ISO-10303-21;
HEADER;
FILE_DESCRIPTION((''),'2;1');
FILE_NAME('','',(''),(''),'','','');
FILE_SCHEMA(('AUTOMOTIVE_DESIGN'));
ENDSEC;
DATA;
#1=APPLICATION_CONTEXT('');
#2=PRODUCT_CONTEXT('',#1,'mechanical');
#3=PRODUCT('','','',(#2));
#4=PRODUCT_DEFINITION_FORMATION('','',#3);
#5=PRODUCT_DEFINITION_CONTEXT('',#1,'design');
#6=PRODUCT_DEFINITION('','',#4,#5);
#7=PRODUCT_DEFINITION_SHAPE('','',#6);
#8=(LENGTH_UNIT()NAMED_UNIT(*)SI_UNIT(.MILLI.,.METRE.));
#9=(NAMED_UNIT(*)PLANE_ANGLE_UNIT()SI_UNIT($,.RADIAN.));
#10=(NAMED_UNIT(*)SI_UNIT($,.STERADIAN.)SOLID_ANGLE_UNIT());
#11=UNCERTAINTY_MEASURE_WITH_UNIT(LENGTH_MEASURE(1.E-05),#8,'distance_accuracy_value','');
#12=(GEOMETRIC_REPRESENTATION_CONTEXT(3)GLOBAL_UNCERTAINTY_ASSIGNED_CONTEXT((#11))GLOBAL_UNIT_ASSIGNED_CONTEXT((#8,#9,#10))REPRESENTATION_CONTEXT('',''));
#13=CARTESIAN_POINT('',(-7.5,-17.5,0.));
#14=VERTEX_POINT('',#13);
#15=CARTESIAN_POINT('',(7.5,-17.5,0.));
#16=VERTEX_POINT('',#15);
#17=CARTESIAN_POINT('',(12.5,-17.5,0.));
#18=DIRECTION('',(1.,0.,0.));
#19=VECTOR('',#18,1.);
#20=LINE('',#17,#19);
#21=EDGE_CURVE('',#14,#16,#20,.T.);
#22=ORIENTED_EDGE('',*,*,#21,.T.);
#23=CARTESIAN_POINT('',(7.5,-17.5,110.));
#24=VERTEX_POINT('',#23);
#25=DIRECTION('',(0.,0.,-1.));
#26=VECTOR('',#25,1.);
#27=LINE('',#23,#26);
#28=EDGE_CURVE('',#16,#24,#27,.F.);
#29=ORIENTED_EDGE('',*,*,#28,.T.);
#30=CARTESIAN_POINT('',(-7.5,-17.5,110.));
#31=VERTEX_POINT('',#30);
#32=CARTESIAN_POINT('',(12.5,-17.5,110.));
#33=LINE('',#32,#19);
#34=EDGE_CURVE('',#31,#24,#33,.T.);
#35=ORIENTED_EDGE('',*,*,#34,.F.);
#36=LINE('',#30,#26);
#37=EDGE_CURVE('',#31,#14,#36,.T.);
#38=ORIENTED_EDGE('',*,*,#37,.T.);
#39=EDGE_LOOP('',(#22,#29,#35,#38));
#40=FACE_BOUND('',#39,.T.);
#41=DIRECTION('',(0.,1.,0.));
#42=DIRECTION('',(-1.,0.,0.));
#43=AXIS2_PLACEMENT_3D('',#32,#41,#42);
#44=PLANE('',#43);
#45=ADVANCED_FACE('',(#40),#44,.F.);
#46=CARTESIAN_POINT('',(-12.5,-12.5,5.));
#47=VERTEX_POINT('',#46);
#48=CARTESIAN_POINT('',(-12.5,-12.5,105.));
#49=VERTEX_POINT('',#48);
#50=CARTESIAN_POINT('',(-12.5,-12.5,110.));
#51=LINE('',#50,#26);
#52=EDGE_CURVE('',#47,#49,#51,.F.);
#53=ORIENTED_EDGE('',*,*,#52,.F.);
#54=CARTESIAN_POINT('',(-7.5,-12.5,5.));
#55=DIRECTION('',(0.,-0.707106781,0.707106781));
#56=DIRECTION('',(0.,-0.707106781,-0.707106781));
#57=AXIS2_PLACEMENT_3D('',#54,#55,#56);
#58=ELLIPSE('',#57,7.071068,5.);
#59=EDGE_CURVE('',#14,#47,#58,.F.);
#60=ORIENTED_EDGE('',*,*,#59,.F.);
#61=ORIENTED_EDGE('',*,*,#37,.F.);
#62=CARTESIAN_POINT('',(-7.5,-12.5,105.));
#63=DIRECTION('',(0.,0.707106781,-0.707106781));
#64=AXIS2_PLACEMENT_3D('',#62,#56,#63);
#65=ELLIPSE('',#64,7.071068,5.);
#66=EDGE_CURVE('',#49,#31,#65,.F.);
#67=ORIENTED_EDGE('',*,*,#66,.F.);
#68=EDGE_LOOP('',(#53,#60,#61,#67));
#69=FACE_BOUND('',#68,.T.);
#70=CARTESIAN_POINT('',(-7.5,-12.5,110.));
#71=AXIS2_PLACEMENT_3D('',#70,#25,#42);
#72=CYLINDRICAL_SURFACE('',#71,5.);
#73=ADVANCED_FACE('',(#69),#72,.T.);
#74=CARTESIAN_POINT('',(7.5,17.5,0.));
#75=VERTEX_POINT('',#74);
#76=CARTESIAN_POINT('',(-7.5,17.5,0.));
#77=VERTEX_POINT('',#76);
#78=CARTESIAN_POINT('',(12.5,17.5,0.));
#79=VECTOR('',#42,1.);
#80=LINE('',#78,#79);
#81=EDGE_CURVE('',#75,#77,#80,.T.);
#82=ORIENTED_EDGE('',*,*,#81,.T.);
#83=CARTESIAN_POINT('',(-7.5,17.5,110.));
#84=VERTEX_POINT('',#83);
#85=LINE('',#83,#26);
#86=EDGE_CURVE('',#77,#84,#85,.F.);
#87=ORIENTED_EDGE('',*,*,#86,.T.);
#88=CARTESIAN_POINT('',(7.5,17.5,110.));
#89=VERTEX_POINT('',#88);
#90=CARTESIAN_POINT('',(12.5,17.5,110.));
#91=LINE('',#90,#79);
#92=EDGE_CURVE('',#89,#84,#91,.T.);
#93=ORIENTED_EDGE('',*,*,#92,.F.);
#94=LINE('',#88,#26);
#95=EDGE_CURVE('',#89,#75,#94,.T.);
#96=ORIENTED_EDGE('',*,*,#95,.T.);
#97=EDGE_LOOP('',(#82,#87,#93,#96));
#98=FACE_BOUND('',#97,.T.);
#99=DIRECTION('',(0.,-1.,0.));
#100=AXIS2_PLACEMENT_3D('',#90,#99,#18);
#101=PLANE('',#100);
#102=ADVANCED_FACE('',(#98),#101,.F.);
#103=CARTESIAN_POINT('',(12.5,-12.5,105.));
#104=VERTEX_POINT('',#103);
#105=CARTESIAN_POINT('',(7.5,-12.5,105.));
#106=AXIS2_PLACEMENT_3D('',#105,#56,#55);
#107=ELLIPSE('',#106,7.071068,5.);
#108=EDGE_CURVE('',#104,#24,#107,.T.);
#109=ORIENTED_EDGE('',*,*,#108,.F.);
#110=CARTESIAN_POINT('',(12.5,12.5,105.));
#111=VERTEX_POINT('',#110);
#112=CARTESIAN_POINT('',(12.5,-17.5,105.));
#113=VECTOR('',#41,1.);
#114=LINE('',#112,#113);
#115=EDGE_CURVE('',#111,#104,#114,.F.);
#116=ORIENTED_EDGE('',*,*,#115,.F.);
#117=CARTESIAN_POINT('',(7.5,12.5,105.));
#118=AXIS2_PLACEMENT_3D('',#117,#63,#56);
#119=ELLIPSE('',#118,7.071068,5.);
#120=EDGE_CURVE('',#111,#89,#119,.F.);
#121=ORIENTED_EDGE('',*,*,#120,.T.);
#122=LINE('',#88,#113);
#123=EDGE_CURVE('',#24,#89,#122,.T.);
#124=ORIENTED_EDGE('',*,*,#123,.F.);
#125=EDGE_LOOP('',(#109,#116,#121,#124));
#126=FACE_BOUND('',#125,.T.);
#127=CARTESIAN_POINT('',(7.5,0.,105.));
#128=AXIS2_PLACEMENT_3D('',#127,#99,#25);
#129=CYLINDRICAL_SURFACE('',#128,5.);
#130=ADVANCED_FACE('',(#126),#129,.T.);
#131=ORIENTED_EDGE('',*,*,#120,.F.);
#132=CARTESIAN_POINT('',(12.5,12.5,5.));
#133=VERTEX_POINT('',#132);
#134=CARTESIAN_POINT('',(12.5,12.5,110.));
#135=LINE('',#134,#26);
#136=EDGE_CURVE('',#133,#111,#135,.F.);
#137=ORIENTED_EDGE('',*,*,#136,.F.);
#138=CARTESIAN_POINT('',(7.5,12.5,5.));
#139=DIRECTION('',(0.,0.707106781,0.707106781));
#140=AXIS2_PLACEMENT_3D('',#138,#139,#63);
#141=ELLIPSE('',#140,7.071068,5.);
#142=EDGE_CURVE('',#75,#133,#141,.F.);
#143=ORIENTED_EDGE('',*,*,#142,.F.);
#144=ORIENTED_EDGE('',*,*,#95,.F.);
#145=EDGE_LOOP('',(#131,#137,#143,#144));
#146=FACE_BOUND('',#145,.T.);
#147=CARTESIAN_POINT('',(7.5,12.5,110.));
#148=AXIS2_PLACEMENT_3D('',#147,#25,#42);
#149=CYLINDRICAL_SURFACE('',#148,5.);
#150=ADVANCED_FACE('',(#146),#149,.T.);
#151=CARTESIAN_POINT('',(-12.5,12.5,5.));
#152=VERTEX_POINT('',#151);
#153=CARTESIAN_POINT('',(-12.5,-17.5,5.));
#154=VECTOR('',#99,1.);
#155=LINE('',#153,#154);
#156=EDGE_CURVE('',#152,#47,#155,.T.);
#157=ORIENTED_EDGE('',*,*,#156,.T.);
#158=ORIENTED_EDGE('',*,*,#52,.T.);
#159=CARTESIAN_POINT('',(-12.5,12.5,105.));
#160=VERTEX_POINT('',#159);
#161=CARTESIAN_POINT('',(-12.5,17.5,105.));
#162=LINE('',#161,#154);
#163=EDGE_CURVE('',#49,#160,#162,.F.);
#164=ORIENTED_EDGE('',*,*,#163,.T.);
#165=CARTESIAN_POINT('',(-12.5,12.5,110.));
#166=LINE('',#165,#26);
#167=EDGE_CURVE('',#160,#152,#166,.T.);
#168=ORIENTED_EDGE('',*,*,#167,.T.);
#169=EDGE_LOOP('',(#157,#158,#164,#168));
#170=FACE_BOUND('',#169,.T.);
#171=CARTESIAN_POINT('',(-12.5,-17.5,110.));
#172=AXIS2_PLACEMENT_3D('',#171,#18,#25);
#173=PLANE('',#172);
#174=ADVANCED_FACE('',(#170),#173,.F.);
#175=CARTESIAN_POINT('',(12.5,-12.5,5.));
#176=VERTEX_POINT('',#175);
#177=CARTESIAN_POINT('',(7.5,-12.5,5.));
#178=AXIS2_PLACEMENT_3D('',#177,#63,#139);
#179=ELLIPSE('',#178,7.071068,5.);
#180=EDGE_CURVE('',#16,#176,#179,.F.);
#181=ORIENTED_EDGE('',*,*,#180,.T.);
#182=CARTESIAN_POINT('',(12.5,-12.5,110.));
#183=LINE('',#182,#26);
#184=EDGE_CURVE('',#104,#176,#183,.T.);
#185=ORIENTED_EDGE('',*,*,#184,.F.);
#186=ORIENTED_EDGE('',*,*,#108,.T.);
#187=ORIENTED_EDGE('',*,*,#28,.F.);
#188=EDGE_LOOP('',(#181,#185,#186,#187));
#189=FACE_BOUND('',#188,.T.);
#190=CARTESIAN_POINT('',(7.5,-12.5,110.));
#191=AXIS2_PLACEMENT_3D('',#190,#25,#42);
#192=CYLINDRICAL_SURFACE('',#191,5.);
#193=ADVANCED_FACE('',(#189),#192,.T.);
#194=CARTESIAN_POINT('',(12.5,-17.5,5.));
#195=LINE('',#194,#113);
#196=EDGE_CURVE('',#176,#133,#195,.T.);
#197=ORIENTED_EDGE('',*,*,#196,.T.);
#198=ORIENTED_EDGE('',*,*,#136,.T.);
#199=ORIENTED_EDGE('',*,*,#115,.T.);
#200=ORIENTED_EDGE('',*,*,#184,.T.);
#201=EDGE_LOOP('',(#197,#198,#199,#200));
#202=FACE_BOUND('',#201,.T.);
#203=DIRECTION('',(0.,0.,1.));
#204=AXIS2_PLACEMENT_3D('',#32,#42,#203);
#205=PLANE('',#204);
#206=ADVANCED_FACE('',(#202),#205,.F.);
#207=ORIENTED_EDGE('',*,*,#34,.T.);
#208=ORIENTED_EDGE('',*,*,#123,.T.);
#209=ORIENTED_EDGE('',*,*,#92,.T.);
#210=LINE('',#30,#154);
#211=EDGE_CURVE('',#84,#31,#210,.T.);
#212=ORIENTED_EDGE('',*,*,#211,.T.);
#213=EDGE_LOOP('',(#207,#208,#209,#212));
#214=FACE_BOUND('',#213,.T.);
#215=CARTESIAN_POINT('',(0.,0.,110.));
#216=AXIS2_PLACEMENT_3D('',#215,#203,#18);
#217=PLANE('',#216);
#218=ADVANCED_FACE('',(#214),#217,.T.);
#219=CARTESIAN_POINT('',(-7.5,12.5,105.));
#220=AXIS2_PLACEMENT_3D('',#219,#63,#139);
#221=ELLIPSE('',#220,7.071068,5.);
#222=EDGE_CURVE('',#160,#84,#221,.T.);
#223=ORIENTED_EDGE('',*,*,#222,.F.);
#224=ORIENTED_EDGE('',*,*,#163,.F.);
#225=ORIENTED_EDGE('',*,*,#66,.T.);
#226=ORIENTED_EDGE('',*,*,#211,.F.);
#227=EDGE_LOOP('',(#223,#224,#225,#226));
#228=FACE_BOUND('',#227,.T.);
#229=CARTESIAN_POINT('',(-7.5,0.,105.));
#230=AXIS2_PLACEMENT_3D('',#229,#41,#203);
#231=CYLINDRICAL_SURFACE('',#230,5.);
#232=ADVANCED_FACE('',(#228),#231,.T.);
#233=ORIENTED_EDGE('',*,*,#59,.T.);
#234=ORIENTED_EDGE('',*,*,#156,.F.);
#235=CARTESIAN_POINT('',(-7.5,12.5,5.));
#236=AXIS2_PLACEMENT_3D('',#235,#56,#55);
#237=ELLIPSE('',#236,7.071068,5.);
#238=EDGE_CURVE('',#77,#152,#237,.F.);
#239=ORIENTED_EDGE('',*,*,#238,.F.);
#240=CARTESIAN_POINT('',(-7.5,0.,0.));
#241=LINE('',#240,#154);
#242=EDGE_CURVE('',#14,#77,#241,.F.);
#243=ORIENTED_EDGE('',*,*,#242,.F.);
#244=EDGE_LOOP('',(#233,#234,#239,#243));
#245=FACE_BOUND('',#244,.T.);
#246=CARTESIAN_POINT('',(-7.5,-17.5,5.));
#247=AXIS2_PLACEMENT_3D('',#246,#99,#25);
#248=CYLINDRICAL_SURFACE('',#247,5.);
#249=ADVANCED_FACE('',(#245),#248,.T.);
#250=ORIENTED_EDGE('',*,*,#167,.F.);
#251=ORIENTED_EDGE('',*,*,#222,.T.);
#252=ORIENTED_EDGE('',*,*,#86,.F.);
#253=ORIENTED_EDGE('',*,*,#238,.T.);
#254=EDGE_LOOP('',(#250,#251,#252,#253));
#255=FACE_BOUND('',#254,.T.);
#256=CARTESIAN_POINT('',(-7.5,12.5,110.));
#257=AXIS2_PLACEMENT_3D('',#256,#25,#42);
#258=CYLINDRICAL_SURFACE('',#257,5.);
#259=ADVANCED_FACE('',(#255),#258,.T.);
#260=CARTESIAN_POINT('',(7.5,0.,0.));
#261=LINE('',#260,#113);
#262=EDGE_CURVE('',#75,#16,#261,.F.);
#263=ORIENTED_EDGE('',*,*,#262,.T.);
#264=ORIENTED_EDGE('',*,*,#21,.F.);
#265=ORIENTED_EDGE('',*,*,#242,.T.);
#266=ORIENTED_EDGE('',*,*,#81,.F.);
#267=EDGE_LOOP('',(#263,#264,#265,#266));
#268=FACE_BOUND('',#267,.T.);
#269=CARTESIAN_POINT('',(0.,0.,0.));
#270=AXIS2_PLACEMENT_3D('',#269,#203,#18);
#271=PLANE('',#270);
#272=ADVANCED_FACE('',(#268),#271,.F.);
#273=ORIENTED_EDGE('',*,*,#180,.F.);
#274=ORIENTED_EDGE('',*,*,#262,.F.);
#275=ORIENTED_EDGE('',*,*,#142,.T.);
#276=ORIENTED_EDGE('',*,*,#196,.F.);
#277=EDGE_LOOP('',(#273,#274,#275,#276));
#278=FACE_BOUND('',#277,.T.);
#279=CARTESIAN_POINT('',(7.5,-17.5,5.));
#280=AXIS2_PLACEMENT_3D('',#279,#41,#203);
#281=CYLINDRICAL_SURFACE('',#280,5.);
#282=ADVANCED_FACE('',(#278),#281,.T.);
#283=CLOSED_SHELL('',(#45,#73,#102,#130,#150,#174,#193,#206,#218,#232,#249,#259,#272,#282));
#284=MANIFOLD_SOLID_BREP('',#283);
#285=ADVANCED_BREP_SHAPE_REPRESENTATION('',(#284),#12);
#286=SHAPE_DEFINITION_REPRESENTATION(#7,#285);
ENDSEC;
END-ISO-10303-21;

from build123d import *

# Parameters (mm, degrees)
SKETCH1_W           = 25
SKETCH1_H           = 35
BOSS_EXTRUDE1_DEPTH = 110
FILLET1_R           = 5


with BuildPart() as part:
    # Sketch1 → Boss-Extrude1 (new body)
    with BuildSketch(Plane.XY):
        Rectangle(SKETCH1_W, SKETCH1_H)
    extrude(amount=BOSS_EXTRUDE1_DEPTH)

    # Fillet1
    fillet1_edges = [part.edges().sort_by_distance(p)[0] for p in [
        (12.5, 0, 110),
        (-12.5, 0, 110),
        (12.5, 0, 0),
        (-12.5, 0, 0),
        (-12.5, 17.5, 55),
        (12.5, 17.5, 55),
        (12.5, -17.5, 55),
        (-12.5, -17.5, 55),
    ]]
    fillet(fillet1_edges, radius=FILLET1_R)


solid = part.part
